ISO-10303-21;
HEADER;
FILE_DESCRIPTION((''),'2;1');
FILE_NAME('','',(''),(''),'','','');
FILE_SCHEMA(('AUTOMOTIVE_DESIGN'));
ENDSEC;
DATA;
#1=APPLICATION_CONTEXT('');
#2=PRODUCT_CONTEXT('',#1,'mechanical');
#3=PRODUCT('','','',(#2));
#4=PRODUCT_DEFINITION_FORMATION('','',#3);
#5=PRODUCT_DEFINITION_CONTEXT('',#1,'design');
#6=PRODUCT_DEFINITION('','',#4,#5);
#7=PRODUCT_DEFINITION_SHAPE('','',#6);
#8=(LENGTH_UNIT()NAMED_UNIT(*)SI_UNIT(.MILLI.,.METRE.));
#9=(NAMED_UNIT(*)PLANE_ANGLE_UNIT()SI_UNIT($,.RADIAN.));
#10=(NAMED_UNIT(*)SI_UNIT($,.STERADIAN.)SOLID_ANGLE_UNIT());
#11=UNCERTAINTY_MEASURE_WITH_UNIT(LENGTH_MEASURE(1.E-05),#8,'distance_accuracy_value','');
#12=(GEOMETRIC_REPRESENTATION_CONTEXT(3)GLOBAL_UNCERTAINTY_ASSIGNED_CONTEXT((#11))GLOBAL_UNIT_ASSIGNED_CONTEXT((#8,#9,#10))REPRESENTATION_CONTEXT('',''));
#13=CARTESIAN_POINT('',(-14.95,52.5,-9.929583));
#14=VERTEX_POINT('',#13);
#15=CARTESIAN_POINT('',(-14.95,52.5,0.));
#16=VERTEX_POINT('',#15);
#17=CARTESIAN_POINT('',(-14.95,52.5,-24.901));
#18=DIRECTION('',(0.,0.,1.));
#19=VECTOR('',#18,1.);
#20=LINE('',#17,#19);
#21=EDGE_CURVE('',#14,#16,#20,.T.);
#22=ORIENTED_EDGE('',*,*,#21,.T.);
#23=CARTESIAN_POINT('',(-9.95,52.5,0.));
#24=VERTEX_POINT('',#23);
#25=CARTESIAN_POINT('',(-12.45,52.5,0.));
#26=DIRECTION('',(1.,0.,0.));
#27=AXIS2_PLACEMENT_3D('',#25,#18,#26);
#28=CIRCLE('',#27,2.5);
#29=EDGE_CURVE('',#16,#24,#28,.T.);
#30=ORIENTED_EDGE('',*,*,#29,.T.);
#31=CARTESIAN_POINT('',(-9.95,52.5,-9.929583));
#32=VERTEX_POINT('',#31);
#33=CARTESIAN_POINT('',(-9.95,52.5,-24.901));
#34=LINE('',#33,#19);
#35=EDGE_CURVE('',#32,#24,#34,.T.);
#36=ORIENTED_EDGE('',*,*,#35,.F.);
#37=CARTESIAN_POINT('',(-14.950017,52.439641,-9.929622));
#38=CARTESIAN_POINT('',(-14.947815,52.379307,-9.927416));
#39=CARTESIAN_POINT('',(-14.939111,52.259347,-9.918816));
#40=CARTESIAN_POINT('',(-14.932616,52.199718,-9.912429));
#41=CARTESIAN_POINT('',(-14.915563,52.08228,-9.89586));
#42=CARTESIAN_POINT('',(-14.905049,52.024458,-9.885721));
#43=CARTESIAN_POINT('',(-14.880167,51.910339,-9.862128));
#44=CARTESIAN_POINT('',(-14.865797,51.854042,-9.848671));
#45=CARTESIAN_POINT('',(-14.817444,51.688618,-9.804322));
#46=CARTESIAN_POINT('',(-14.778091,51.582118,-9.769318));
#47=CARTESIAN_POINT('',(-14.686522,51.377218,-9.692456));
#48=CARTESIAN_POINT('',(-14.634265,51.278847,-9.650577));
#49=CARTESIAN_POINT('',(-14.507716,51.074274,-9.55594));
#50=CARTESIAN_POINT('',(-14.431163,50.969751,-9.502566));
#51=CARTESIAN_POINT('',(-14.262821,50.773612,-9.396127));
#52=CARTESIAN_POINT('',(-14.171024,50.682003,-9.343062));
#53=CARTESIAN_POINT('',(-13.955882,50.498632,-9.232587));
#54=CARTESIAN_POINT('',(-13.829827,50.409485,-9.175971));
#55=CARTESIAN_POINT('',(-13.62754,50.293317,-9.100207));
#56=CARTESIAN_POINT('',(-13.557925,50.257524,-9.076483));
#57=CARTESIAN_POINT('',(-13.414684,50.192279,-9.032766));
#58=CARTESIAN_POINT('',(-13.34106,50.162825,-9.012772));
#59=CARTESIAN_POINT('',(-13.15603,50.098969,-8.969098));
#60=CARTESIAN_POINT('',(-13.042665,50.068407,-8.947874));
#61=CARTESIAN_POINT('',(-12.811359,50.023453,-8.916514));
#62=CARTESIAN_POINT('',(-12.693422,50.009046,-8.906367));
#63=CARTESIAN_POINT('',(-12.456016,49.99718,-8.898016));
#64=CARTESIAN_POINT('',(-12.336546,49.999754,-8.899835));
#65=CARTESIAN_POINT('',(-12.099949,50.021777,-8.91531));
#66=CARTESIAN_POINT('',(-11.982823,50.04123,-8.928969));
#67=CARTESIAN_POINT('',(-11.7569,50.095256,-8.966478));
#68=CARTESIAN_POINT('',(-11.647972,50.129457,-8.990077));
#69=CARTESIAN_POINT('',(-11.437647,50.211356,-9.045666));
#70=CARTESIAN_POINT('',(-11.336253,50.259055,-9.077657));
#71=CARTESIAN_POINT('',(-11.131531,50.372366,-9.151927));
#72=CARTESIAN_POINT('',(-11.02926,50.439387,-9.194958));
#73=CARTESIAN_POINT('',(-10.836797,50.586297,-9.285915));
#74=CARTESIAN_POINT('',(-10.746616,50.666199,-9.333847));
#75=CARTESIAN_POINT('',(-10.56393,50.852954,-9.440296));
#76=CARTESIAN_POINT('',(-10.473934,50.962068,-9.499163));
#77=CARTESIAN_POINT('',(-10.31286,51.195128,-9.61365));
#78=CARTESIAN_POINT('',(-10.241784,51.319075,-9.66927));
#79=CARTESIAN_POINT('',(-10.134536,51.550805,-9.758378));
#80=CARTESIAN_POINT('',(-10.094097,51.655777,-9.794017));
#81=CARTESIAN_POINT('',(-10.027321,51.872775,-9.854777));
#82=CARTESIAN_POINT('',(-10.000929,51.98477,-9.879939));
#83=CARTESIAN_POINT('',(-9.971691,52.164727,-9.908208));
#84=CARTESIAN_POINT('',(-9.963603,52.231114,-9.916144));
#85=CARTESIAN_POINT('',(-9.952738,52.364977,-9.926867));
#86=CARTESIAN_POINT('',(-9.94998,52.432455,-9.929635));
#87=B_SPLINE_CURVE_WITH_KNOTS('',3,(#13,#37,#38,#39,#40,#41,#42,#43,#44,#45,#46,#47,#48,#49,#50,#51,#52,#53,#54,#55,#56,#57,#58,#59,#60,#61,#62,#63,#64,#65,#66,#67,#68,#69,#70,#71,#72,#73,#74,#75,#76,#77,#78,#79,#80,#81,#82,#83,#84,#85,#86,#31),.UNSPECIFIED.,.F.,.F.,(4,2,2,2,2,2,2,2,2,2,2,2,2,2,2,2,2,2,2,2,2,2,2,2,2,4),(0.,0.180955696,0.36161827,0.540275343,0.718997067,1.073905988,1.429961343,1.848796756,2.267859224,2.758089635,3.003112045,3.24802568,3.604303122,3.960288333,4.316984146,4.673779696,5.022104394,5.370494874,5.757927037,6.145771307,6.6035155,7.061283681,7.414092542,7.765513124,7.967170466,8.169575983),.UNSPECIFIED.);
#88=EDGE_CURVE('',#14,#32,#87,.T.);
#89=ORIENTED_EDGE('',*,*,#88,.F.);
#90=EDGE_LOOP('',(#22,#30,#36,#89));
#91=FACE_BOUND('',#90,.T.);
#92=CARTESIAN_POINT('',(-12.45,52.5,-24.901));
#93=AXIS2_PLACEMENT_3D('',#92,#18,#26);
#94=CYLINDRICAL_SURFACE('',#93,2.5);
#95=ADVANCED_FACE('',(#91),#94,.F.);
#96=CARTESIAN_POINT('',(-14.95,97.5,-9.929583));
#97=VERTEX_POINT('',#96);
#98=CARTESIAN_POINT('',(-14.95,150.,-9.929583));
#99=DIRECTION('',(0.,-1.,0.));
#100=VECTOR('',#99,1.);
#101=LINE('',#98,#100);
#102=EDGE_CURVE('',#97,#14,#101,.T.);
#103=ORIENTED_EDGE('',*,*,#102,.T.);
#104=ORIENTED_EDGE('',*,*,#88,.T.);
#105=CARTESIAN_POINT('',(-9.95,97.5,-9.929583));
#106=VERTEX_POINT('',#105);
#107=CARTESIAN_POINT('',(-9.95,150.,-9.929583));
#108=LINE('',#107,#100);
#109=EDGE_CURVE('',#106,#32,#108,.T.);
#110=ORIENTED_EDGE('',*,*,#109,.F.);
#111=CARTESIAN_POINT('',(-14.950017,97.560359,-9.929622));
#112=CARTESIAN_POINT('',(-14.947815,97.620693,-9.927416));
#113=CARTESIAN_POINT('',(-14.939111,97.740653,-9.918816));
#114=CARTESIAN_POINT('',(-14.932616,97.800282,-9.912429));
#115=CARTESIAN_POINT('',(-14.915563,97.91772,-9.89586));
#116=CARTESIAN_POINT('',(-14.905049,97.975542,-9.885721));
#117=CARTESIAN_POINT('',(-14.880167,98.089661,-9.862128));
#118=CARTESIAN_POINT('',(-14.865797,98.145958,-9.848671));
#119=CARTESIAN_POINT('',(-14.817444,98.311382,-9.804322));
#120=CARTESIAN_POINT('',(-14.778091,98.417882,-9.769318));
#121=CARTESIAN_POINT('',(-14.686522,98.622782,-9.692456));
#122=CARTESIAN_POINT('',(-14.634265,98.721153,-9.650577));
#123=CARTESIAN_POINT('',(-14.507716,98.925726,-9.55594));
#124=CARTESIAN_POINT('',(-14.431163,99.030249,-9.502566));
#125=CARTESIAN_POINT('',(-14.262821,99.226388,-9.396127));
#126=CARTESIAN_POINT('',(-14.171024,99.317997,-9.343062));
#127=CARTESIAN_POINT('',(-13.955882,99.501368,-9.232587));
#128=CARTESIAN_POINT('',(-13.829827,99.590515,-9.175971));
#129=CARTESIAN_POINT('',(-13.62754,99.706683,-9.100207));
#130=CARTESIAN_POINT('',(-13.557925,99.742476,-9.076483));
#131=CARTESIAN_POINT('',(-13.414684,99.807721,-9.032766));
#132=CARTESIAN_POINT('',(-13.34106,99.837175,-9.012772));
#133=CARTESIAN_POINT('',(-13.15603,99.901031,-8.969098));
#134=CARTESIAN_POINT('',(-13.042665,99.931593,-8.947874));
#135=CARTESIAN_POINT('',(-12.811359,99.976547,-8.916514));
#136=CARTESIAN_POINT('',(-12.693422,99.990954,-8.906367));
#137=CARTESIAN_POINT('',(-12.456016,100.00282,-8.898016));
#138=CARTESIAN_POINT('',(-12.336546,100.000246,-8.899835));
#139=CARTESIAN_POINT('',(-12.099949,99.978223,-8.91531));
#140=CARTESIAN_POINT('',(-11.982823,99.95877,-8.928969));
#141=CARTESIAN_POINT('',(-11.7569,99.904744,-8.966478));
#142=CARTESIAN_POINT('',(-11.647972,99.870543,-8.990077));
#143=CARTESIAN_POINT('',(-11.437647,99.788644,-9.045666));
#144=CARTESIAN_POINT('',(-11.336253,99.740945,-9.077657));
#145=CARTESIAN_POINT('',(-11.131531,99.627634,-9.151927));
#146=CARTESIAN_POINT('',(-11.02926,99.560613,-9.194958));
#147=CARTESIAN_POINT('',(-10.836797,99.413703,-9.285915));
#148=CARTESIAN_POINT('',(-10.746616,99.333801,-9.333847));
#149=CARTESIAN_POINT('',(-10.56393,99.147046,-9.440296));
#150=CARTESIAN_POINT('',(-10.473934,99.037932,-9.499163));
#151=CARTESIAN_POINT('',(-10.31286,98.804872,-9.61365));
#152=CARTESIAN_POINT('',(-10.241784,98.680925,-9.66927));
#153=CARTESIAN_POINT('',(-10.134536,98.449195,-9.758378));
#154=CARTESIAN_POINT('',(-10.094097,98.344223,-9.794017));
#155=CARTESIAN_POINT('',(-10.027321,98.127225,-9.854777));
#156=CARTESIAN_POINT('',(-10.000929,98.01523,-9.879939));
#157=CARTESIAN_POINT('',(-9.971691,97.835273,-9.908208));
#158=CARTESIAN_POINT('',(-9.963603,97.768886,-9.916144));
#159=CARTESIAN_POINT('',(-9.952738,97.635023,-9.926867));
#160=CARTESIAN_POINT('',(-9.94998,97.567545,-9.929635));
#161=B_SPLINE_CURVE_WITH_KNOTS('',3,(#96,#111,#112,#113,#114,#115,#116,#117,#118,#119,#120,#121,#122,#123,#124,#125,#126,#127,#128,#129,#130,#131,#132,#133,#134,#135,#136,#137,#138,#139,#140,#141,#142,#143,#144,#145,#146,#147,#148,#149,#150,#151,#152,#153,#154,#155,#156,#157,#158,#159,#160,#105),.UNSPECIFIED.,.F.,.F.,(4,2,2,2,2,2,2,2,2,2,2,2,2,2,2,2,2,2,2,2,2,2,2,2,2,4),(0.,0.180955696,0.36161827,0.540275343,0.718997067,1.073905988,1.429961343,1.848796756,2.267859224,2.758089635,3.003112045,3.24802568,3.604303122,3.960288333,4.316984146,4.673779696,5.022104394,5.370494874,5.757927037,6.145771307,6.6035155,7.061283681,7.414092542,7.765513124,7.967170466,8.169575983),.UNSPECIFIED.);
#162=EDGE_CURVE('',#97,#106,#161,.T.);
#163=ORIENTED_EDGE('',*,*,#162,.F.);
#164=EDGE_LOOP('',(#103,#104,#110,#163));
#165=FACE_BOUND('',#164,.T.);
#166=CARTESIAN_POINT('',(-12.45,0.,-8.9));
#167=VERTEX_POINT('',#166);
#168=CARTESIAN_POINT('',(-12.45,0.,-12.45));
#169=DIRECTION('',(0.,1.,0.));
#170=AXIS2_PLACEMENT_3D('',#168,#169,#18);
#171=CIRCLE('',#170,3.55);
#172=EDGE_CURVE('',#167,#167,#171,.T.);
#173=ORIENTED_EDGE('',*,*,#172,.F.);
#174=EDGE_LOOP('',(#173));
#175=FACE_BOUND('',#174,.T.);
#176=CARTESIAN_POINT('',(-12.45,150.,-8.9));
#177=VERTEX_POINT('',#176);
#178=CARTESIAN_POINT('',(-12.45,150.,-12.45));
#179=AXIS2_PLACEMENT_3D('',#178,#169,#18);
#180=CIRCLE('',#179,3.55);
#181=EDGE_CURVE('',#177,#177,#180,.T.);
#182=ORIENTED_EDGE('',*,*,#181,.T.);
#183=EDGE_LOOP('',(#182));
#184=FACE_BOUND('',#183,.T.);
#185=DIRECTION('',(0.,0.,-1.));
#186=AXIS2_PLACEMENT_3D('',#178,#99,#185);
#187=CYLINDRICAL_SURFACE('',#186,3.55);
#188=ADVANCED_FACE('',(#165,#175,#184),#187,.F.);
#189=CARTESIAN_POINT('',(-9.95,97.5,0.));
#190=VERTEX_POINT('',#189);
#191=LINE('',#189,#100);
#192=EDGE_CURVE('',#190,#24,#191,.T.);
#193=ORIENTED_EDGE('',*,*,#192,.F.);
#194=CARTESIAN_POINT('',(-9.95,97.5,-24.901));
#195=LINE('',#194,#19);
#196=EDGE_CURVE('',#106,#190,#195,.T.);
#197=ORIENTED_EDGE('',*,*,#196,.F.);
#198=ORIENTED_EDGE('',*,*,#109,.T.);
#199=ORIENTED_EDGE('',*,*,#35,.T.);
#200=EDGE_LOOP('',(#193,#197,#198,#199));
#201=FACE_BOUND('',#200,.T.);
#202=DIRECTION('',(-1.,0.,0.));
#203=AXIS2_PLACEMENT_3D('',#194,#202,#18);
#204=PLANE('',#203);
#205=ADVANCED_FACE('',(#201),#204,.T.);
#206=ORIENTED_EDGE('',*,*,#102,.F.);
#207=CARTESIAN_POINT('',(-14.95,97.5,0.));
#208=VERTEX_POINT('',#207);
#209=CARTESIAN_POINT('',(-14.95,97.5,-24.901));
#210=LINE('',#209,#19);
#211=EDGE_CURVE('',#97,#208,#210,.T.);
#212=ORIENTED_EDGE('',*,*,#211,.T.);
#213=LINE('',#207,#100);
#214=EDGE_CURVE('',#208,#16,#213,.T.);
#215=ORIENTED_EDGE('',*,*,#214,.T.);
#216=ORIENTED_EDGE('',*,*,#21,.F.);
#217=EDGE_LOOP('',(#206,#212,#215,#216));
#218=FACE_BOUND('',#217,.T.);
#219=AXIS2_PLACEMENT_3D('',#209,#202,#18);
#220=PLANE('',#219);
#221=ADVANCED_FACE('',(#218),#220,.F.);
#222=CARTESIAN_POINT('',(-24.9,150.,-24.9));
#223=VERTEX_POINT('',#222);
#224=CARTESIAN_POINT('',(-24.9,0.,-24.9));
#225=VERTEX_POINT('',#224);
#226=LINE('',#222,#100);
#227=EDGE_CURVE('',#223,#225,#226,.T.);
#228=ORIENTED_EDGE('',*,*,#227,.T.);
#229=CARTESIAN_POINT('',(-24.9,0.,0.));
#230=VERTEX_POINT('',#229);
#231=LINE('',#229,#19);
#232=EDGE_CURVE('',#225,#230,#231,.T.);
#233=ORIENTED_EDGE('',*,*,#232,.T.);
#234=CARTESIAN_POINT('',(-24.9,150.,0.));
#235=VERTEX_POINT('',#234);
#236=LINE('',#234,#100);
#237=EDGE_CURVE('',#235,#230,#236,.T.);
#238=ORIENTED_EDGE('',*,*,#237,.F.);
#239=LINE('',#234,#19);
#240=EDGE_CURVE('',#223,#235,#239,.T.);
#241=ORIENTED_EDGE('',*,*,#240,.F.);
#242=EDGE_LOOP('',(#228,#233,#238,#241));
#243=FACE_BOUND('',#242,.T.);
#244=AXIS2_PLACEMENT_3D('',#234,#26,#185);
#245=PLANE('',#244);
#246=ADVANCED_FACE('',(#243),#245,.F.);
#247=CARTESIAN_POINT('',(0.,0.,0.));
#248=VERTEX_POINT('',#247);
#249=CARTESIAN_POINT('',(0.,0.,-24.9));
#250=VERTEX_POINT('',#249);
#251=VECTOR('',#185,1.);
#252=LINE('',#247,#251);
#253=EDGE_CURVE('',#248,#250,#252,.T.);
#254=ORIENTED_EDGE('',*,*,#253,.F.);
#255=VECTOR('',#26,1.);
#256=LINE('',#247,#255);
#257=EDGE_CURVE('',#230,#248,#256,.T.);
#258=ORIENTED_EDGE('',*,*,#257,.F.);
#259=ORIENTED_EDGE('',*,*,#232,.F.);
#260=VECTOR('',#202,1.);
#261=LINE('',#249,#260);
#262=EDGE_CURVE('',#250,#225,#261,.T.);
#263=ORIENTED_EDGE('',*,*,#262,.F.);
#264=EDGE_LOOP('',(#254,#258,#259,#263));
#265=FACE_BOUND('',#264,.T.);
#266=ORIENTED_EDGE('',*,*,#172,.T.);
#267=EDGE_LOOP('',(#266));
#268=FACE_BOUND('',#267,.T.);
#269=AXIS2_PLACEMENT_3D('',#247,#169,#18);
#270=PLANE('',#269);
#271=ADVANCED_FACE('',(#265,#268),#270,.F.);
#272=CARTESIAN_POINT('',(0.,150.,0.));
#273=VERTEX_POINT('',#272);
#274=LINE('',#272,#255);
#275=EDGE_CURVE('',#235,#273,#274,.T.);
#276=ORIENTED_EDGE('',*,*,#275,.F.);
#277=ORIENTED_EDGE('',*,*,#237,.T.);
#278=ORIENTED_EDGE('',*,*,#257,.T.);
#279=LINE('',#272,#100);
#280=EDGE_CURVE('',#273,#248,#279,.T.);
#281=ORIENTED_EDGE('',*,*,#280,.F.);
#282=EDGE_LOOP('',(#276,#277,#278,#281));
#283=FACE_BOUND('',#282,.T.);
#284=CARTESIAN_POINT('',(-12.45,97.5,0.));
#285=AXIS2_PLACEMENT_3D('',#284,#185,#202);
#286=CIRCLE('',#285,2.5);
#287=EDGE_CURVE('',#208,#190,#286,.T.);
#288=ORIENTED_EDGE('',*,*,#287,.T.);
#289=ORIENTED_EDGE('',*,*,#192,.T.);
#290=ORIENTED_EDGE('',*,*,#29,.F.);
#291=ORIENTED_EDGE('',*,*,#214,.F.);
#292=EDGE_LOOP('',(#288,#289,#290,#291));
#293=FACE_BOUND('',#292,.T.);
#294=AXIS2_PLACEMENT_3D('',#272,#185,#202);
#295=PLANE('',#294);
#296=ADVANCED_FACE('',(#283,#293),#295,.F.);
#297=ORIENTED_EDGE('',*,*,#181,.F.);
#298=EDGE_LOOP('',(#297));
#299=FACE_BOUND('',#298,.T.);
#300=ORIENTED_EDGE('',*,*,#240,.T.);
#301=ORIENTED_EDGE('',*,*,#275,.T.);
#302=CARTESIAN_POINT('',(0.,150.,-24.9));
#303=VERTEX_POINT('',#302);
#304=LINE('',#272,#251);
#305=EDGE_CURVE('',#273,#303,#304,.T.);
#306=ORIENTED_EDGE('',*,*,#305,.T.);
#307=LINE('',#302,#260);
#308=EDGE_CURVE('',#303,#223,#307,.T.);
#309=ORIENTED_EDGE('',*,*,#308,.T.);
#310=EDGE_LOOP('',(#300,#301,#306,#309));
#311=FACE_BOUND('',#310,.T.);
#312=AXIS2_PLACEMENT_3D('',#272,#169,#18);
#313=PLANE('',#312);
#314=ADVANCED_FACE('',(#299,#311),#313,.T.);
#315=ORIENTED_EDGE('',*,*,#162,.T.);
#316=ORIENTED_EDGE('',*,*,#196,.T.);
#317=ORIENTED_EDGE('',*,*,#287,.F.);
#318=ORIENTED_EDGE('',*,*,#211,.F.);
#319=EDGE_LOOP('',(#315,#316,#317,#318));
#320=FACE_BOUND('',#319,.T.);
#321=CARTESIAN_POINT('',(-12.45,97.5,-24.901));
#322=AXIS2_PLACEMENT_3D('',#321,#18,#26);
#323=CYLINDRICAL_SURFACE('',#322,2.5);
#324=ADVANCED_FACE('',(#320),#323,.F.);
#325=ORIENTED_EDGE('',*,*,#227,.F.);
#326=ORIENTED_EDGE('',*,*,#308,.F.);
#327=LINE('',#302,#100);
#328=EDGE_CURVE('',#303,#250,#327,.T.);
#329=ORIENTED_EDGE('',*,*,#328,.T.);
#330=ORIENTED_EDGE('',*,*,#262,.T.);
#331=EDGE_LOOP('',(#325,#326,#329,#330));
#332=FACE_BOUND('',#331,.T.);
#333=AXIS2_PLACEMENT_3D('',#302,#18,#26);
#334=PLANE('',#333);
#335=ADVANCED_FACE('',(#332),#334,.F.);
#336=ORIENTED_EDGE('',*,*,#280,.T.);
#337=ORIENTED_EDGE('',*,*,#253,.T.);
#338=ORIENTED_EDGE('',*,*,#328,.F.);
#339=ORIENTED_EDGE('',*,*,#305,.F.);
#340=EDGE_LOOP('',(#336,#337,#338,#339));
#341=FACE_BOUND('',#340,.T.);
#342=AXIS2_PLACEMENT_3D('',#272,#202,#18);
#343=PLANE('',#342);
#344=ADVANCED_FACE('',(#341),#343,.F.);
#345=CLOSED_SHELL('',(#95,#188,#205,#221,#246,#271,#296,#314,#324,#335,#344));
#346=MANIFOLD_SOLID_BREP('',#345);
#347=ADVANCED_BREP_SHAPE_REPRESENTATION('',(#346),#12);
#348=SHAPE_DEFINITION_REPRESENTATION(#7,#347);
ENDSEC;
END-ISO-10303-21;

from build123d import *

# Parameters (mm, degrees)
SKETCH2_W               = 24.9
SKETCH2_H               = 24.9
SKETCH2_R               = 3.55
BOSS_EXTRUDE1_DEPTH     = 150
CUT_EXTRUDE1_REACH      = 156.078
CUT_EXTRUDE1_END_RADIUS = 3.55


with BuildPart() as part:
    # Sketch2 → Boss-Extrude1 (new body)
    with BuildSketch(Plane(origin=(0, 0, 0), x_dir=(1, 0, 0), z_dir=(0, 1, 0))):
        with Locations((-12.45, 12.45)):
            Rectangle(SKETCH2_W, SKETCH2_H)
        with Locations(Location((-12.45, 12.45, 0), (0, 0, 270))):
            Circle(SKETCH2_R, mode=Mode.SUBTRACT)
    extrude(amount=BOSS_EXTRUDE1_DEPTH)

    # Cut-Extrude1: up to this cylinder (the profile starts outside it)
    cut_extrude1_end = Plane(origin=(-12.45, 75, -12.45), z_dir=(0, -1, 0)) * Cylinder(CUT_EXTRUDE1_END_RADIUS, 320.256, mode=Mode.PRIVATE)
    # Sketch3 → Cut-Extrude1 (cut, up to the surface)
    with BuildSketch(Plane.XY, mode=Mode.PRIVATE) as cut_extrude1_sk1:
        with BuildLine():
            Line((-14.95, 97.5), (-14.95, 52.5))
            ThreePointArc((-14.95, 52.5), (-12.45, 50), (-9.95, 52.5))
            Line((-9.95, 52.5), (-9.95, 97.5))
            ThreePointArc((-9.95, 97.5), (-12.45, 100), (-14.95, 97.5))
        make_face()
    cut_extrude1_tool1 = extrude(cut_extrude1_sk1.sketch, amount=-CUT_EXTRUDE1_REACH, mode=Mode.PRIVATE) - cut_extrude1_end
    add(cut_extrude1_tool1.solids().sort_by_distance((-12.45, 75, 0))[0], mode=Mode.SUBTRACT)


solid = part.part
